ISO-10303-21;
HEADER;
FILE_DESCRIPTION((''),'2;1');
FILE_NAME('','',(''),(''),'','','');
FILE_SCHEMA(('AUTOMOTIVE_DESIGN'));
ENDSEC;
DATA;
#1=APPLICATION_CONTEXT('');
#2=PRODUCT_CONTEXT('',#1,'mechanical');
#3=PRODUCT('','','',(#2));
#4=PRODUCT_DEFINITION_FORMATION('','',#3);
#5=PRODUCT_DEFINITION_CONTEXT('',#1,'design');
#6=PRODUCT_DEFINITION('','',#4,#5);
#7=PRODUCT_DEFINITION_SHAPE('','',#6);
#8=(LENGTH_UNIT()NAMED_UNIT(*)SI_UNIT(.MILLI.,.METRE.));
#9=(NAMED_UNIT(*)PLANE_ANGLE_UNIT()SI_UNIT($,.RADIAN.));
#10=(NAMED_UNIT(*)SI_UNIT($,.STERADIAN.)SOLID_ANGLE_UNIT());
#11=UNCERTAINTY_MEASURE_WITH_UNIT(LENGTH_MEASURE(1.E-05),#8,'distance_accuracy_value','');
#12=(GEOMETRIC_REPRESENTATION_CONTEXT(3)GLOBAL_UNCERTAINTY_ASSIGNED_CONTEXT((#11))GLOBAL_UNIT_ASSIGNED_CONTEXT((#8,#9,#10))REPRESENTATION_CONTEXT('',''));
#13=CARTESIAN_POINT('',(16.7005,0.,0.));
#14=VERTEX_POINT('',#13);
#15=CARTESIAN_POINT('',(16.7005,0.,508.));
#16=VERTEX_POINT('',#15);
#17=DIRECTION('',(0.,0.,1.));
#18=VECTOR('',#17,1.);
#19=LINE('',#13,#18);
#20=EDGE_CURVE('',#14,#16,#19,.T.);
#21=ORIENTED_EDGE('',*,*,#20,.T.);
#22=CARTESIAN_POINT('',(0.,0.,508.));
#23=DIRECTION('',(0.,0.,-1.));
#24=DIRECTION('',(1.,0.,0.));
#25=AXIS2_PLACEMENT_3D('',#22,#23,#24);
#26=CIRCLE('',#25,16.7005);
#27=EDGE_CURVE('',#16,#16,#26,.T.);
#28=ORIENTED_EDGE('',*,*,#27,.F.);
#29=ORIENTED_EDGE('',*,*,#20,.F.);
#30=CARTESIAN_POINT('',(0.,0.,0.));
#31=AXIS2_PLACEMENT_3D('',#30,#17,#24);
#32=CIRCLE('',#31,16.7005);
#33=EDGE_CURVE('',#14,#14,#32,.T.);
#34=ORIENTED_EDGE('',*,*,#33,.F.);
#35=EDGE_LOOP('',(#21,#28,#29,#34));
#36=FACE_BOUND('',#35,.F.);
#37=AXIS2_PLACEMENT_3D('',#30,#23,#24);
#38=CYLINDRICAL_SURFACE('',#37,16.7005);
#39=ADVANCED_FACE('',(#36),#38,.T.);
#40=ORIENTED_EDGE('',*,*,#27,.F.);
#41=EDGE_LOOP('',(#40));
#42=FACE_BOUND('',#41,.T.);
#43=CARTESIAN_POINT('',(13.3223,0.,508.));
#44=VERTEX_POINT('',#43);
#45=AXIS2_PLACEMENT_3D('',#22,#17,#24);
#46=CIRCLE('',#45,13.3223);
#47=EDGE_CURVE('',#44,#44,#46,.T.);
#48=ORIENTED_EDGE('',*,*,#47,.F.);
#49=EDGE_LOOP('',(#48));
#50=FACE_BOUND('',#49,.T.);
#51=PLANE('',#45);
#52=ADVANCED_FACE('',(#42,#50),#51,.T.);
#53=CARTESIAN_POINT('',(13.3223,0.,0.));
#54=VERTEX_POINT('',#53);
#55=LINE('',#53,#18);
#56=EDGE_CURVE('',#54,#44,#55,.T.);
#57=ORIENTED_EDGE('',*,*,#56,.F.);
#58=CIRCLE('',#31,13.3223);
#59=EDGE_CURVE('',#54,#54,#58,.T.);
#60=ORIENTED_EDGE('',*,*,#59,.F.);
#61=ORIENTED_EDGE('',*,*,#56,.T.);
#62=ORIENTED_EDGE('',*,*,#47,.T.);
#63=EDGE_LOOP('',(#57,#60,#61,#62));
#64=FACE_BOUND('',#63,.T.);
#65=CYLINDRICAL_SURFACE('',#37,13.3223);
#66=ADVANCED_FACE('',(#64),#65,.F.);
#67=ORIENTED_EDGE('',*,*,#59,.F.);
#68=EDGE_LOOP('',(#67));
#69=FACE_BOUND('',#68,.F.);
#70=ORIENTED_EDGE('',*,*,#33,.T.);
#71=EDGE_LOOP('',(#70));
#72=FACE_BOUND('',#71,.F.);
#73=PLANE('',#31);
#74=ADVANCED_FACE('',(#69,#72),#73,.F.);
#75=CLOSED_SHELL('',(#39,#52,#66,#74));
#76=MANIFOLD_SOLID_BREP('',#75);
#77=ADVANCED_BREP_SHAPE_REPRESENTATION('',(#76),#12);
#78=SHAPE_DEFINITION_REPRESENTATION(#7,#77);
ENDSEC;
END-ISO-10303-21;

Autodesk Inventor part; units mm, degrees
ref_plane "Start plane" through (0, 0, 0) normal (0, 0, 1) x (1, 0, 0)
ref_plane "End plane" through (0, 0, 508) normal (0, 0, 1) x (1, 0, 0)
sketch "Sketch" plane through (0, 0, 0) normal (0, 0, 1) x (1, 0, 0)
  circle A0 centre (0, 0) radius 13.3223
  circle A1 centre (0, 0) radius 16.7005
  dimension "d0" = 33.401
  dimension "d1" = 3.3782
extrude "Body" add sketch "Sketch" along normal up to surface (508 mm away) from surface at 0
sketch "Sketch3" plane through (0, 0, 0) normal (0, 0, 1) x (1, 0, 0)
  line L0 (0, 0) -> (10, 0)
ref_plane "Work Plane3" through (0, 0, 0) normal (0, -1, 0) x (1, 0, 0)
sketch "Sketch4" plane through (0, 0, 0) normal (0, -1, 0) x (1, 0, 0)
  line L0 (-2, 0) -> (12, 0)
  line L1 (-2, 508) -> (12, 508)
  dimension "d7" = 508
ref_plane "Work Plane4" through (0, 4322.1698, 541.401) normal (0, 0.7071, -0.7071) x (1, 0, 0)
ref_plane "Work Plane5" through (0, -8727.8422, 541.401) normal (0, -0.7071, -0.7071) x (1, 0, 0)
ref_plane "Work Plane6" through (0, -2202.8362, 524.7005) normal (0, -1, 0) x (1, 0, 0)
sketch "Sketch5" plane through (0, -2202.8362, 524.7005) normal (0, -1, 0) x (1, 0, 0)
  circle A0 centre (0, 0) radius 16.7005
  circle A1 centre (0, 0) radius 13.3223
extrude "Extrusion2" cut sketch "Sketch5" along normal up to surface from surface at -6525.006 contours A0 | A1 surface through (0, -8727.8422, 541.401) normal (0, -0.7071, -0.7071)
equation "\"d0\" = G_H"
equation "\"d1\" = G_T"
equation "\"d2\" = G_L"
equation "\"G_H\" = 33.401"
equation "\"G_T\" = 3.3782"
equation "\"G_L\" = d7"
equation "\"G_OFFSET_START\" = 0"
equation "\"G_OFFSET_END\" = 0"
equation "\"d5\" = G_OFFSET_END + B_L"
equation "\"B_L\" = 508"
properties part number "ANSI - 1 x 0.133 - 20" material "Aluminum 6061"
